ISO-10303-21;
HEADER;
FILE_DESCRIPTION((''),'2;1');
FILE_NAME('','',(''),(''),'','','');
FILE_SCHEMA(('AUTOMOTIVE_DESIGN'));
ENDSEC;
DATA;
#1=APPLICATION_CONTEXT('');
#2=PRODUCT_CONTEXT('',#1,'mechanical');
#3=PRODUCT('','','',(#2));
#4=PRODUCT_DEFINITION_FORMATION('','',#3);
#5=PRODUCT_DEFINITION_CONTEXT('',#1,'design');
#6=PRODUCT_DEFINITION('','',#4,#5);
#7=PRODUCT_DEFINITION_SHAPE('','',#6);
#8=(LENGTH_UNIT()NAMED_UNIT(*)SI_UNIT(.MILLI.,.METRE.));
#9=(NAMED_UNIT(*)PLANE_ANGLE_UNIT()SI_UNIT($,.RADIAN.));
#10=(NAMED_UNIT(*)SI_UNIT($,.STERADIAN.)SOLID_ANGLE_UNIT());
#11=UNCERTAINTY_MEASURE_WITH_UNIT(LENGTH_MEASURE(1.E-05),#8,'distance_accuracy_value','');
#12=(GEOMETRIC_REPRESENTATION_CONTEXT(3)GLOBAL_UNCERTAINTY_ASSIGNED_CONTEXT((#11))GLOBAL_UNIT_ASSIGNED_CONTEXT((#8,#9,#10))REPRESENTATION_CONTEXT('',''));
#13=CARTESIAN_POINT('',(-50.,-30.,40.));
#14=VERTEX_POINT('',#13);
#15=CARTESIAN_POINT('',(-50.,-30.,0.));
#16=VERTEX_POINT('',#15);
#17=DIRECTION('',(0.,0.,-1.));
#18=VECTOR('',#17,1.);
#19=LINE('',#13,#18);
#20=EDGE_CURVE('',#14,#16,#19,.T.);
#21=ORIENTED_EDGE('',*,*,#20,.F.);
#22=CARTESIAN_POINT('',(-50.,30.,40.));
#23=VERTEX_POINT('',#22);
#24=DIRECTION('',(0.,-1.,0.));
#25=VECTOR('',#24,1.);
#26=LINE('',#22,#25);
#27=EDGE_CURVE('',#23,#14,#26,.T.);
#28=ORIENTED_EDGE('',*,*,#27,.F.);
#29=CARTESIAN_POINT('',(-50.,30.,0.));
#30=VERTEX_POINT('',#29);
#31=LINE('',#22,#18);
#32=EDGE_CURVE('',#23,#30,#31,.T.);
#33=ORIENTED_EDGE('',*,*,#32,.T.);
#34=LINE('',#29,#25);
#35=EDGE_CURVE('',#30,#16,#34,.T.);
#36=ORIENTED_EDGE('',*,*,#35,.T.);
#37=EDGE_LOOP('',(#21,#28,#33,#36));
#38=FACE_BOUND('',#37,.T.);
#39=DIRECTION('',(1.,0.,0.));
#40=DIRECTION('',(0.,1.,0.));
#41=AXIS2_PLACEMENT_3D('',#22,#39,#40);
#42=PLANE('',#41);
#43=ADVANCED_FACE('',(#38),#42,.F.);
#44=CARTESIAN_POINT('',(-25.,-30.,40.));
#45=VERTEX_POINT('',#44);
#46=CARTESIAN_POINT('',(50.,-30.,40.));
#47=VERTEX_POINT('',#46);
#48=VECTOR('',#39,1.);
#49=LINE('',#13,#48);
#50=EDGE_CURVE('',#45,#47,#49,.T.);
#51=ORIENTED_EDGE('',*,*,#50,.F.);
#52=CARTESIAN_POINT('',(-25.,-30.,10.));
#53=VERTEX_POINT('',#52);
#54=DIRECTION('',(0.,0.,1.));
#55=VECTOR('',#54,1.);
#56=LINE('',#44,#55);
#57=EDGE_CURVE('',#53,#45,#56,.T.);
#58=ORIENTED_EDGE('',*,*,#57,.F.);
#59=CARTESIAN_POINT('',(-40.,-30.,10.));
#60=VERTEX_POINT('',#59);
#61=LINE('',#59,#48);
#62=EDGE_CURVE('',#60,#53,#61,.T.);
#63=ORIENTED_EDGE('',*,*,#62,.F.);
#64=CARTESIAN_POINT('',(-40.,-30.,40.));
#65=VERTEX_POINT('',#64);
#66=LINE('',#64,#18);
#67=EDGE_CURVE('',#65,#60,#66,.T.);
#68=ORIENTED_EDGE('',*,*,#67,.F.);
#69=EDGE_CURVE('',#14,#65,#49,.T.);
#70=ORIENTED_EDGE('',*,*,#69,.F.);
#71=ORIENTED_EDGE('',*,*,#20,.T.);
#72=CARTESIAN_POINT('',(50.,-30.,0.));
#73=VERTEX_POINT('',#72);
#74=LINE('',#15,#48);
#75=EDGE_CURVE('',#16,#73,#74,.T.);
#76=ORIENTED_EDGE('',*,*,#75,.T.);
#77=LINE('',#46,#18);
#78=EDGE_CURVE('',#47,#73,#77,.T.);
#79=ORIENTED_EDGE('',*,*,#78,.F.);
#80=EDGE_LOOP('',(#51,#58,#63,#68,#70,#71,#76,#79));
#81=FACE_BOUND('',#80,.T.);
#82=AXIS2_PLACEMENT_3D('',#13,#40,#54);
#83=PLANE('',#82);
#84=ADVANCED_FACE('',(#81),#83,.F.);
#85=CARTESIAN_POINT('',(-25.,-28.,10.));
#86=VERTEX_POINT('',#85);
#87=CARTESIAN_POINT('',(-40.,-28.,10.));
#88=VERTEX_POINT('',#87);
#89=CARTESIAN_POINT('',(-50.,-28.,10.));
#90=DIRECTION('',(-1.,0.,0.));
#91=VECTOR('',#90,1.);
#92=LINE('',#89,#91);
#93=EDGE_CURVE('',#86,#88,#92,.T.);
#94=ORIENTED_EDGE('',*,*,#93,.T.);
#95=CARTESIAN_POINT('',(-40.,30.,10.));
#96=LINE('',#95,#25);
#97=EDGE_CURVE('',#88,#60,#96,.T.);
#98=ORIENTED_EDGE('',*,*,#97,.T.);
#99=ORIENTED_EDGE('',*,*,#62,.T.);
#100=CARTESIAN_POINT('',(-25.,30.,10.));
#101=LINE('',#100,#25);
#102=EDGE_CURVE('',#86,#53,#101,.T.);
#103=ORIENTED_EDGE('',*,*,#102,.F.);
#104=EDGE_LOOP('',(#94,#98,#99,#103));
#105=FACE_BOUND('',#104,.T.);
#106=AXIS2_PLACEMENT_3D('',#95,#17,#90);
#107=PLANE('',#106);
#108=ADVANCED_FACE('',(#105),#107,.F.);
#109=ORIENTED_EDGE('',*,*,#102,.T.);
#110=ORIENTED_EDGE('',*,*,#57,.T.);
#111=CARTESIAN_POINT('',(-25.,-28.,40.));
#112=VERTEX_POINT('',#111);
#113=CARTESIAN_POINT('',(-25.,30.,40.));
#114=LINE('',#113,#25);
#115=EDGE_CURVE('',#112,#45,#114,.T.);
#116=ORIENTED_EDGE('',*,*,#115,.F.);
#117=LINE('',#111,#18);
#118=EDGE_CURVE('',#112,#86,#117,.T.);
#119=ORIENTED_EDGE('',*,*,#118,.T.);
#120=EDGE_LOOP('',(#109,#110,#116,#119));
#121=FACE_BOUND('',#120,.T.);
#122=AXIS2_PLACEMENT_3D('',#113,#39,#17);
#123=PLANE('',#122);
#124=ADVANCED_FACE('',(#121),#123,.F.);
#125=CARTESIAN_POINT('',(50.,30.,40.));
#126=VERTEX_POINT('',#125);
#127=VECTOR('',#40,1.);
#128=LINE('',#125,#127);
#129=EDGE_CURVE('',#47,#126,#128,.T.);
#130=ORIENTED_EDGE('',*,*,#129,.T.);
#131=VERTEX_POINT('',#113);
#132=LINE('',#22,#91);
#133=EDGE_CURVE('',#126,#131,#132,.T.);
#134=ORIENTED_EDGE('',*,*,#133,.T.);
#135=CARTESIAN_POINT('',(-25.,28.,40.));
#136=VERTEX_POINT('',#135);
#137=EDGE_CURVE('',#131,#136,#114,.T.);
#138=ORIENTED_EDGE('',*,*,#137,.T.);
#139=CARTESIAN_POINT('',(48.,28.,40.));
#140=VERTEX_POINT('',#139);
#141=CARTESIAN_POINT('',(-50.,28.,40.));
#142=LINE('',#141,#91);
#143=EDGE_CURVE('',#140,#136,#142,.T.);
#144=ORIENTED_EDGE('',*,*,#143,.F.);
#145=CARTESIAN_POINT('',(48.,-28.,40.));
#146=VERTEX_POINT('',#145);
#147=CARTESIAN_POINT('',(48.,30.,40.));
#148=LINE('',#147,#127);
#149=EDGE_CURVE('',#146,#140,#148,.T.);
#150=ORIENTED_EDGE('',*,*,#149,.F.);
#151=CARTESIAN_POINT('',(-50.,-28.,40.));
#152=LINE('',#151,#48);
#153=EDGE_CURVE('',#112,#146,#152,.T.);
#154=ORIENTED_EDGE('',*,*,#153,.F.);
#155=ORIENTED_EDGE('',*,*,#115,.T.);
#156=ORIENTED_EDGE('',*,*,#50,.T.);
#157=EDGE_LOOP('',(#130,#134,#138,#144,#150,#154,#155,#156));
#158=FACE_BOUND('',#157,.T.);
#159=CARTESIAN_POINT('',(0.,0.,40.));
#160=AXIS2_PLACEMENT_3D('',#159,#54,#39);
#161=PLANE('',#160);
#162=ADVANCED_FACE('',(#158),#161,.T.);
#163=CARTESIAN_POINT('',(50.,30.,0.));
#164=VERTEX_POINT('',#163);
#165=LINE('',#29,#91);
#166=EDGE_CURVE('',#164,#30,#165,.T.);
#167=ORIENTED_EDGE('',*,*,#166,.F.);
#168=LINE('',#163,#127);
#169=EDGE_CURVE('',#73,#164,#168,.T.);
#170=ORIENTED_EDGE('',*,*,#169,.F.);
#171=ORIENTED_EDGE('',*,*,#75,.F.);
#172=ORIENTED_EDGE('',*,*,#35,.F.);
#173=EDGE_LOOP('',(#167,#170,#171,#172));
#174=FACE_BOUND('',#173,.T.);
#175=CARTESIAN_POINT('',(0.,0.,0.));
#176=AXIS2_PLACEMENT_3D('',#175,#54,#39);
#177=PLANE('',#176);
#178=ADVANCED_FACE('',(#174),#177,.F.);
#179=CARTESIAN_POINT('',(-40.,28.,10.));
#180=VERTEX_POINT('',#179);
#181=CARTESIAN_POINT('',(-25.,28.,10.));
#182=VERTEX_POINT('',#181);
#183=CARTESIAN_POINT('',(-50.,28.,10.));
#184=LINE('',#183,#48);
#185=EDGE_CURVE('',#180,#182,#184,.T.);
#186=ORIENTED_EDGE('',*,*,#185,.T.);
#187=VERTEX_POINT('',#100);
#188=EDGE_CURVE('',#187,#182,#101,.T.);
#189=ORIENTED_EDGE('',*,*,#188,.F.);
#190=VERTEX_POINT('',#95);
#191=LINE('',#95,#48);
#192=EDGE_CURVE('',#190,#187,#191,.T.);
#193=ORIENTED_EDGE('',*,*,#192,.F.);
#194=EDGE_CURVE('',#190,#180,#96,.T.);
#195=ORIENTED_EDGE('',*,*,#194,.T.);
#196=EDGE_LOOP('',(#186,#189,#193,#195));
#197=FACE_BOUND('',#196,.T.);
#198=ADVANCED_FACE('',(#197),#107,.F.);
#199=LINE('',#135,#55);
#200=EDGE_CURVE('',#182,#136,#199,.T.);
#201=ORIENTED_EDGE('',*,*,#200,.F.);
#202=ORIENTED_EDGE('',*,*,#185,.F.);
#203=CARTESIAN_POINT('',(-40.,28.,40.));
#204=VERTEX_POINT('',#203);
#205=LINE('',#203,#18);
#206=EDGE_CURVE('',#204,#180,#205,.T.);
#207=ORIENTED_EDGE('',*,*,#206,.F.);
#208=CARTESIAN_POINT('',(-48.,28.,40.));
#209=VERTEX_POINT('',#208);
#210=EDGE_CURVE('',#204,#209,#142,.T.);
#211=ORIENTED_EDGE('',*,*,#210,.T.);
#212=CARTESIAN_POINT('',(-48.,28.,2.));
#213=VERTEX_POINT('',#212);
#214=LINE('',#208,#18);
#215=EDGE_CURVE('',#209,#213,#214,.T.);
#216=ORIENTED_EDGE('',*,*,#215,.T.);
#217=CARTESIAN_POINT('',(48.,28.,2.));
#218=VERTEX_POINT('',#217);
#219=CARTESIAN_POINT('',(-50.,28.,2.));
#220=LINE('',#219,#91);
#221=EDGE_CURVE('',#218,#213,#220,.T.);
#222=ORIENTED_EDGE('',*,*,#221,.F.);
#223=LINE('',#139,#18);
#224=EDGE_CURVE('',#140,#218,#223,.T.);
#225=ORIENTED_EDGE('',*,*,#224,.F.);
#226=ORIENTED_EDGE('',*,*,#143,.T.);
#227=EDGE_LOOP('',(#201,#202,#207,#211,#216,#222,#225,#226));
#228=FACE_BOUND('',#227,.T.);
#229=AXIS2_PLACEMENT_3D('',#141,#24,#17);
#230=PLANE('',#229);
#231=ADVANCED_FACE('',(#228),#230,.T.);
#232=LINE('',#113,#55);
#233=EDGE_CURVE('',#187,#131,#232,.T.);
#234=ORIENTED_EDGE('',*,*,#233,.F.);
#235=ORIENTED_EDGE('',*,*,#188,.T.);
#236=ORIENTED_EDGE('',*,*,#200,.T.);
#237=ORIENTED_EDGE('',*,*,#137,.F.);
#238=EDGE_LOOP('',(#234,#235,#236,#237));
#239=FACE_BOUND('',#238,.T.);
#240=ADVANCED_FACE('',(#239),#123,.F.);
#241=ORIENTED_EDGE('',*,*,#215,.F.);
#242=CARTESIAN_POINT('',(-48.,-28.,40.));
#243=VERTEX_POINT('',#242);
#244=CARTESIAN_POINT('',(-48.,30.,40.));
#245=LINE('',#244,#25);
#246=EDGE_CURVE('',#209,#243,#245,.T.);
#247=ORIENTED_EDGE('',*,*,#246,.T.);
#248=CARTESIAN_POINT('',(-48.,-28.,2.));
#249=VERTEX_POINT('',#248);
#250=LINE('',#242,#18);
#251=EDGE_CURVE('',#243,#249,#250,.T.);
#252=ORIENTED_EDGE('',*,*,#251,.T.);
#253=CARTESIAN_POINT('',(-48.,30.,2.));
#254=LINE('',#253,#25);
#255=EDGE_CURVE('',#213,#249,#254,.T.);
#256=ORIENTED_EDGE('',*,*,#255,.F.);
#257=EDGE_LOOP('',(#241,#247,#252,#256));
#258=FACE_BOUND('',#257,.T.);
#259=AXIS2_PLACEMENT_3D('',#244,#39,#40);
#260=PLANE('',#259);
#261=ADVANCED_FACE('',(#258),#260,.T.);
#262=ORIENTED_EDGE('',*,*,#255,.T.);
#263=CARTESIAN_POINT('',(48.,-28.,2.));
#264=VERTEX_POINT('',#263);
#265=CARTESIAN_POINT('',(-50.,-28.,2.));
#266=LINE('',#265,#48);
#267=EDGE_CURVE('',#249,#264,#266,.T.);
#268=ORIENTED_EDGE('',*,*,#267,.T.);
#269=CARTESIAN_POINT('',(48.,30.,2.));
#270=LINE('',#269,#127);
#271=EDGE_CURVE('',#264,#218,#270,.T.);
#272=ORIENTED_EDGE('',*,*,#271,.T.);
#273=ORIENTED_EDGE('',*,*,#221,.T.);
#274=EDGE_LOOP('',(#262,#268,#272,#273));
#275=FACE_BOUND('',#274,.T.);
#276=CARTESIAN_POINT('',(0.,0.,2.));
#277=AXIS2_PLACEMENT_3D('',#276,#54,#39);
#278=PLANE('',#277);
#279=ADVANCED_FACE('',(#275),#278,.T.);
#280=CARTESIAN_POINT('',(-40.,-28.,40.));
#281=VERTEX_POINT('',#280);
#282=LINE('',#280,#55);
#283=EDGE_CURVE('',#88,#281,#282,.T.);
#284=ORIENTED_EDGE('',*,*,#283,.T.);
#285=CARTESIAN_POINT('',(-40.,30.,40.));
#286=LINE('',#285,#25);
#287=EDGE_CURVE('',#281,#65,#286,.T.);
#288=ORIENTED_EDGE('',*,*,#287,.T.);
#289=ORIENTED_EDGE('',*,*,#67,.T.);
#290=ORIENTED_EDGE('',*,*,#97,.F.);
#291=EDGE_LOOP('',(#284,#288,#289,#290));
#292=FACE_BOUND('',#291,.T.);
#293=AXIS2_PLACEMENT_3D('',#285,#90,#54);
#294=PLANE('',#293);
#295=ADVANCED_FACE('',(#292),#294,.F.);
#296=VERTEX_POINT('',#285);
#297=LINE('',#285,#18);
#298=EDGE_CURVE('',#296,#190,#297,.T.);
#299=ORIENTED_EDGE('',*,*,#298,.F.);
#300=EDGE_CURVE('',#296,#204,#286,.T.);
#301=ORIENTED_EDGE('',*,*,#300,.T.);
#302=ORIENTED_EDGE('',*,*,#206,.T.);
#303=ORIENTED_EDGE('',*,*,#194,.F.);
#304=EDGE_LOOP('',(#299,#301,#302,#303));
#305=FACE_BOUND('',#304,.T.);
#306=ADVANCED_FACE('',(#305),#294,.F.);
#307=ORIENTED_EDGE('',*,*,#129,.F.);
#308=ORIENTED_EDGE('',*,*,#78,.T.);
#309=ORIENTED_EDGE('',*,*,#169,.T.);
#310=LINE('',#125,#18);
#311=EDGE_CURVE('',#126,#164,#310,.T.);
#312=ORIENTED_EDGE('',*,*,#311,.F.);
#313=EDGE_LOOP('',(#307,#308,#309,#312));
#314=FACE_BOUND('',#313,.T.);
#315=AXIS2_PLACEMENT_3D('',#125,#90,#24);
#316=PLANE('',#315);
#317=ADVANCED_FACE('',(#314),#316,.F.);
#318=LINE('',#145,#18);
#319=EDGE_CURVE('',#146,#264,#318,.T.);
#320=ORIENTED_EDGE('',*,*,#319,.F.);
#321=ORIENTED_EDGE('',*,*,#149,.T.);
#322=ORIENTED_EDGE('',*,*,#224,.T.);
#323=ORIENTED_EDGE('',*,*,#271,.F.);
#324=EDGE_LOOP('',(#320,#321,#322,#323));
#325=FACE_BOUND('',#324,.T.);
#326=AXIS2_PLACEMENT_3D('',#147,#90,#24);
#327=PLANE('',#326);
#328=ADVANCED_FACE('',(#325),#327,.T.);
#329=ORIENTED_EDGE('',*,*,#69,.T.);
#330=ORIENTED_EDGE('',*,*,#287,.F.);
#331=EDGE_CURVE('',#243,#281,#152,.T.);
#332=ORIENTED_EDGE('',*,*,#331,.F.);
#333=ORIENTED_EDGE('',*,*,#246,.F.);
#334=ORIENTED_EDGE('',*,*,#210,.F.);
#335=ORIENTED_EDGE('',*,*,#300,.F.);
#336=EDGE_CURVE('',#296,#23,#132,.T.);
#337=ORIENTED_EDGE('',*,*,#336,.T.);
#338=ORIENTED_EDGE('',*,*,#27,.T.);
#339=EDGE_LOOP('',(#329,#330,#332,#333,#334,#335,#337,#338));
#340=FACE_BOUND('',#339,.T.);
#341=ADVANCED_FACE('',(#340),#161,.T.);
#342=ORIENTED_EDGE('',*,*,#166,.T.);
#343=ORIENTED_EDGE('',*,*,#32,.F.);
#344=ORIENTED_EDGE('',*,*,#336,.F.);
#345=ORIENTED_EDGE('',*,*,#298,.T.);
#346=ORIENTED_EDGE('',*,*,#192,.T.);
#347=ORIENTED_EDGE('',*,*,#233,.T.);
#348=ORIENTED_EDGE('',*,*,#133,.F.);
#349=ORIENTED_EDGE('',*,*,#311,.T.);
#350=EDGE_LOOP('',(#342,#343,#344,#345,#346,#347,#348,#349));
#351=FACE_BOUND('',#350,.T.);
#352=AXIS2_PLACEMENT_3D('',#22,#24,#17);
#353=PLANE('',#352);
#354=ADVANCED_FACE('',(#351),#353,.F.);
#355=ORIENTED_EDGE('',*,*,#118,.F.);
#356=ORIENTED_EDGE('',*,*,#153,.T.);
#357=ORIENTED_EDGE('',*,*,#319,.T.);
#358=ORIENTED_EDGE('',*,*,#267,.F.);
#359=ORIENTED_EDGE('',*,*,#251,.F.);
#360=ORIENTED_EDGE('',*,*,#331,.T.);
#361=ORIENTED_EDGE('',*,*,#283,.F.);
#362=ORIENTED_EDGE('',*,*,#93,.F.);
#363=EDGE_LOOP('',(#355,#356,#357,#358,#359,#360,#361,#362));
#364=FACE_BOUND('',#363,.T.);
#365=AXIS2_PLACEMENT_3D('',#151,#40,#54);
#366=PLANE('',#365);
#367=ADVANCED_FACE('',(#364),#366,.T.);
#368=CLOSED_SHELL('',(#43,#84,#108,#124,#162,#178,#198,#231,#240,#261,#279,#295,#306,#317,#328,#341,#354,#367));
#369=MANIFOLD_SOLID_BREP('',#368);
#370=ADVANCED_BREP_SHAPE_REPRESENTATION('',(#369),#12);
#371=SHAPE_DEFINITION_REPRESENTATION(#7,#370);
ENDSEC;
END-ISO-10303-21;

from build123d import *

# Parameters (mm, degrees)
SKETCH_1_W          = 100
SKETCH_1_H          = 60
EXTRUDE_1_DEPTH     = 40
SHELL_1_T           = -2
SKETCH_2_W          = 15
SKETCH_2_H          = 30
CUT_EXTRUDE_1_DEPTH = 60


with BuildPart() as part:
    # 草圖1 → 填料-伸長1 (new body)
    with BuildSketch(Plane.XY):
        Rectangle(SKETCH_1_W, SKETCH_1_H)
    extrude(amount=EXTRUDE_1_DEPTH)

    # 薄殼1
    shell_1_openings = [part.faces().sort_by_distance(p)[0] for p in [
        (0, 0, 40),
    ]]
    offset(amount=SHELL_1_T, openings=shell_1_openings, kind=Kind.INTERSECTION)

    # 草圖2 → 除料-伸長1 (cut)
    with BuildSketch(Plane.XZ.offset(30)):
        with Locations((-32.5, 25)):
            Rectangle(SKETCH_2_W, SKETCH_2_H)
    extrude(amount=-CUT_EXTRUDE_1_DEPTH, mode=Mode.SUBTRACT)


solid = part.part
